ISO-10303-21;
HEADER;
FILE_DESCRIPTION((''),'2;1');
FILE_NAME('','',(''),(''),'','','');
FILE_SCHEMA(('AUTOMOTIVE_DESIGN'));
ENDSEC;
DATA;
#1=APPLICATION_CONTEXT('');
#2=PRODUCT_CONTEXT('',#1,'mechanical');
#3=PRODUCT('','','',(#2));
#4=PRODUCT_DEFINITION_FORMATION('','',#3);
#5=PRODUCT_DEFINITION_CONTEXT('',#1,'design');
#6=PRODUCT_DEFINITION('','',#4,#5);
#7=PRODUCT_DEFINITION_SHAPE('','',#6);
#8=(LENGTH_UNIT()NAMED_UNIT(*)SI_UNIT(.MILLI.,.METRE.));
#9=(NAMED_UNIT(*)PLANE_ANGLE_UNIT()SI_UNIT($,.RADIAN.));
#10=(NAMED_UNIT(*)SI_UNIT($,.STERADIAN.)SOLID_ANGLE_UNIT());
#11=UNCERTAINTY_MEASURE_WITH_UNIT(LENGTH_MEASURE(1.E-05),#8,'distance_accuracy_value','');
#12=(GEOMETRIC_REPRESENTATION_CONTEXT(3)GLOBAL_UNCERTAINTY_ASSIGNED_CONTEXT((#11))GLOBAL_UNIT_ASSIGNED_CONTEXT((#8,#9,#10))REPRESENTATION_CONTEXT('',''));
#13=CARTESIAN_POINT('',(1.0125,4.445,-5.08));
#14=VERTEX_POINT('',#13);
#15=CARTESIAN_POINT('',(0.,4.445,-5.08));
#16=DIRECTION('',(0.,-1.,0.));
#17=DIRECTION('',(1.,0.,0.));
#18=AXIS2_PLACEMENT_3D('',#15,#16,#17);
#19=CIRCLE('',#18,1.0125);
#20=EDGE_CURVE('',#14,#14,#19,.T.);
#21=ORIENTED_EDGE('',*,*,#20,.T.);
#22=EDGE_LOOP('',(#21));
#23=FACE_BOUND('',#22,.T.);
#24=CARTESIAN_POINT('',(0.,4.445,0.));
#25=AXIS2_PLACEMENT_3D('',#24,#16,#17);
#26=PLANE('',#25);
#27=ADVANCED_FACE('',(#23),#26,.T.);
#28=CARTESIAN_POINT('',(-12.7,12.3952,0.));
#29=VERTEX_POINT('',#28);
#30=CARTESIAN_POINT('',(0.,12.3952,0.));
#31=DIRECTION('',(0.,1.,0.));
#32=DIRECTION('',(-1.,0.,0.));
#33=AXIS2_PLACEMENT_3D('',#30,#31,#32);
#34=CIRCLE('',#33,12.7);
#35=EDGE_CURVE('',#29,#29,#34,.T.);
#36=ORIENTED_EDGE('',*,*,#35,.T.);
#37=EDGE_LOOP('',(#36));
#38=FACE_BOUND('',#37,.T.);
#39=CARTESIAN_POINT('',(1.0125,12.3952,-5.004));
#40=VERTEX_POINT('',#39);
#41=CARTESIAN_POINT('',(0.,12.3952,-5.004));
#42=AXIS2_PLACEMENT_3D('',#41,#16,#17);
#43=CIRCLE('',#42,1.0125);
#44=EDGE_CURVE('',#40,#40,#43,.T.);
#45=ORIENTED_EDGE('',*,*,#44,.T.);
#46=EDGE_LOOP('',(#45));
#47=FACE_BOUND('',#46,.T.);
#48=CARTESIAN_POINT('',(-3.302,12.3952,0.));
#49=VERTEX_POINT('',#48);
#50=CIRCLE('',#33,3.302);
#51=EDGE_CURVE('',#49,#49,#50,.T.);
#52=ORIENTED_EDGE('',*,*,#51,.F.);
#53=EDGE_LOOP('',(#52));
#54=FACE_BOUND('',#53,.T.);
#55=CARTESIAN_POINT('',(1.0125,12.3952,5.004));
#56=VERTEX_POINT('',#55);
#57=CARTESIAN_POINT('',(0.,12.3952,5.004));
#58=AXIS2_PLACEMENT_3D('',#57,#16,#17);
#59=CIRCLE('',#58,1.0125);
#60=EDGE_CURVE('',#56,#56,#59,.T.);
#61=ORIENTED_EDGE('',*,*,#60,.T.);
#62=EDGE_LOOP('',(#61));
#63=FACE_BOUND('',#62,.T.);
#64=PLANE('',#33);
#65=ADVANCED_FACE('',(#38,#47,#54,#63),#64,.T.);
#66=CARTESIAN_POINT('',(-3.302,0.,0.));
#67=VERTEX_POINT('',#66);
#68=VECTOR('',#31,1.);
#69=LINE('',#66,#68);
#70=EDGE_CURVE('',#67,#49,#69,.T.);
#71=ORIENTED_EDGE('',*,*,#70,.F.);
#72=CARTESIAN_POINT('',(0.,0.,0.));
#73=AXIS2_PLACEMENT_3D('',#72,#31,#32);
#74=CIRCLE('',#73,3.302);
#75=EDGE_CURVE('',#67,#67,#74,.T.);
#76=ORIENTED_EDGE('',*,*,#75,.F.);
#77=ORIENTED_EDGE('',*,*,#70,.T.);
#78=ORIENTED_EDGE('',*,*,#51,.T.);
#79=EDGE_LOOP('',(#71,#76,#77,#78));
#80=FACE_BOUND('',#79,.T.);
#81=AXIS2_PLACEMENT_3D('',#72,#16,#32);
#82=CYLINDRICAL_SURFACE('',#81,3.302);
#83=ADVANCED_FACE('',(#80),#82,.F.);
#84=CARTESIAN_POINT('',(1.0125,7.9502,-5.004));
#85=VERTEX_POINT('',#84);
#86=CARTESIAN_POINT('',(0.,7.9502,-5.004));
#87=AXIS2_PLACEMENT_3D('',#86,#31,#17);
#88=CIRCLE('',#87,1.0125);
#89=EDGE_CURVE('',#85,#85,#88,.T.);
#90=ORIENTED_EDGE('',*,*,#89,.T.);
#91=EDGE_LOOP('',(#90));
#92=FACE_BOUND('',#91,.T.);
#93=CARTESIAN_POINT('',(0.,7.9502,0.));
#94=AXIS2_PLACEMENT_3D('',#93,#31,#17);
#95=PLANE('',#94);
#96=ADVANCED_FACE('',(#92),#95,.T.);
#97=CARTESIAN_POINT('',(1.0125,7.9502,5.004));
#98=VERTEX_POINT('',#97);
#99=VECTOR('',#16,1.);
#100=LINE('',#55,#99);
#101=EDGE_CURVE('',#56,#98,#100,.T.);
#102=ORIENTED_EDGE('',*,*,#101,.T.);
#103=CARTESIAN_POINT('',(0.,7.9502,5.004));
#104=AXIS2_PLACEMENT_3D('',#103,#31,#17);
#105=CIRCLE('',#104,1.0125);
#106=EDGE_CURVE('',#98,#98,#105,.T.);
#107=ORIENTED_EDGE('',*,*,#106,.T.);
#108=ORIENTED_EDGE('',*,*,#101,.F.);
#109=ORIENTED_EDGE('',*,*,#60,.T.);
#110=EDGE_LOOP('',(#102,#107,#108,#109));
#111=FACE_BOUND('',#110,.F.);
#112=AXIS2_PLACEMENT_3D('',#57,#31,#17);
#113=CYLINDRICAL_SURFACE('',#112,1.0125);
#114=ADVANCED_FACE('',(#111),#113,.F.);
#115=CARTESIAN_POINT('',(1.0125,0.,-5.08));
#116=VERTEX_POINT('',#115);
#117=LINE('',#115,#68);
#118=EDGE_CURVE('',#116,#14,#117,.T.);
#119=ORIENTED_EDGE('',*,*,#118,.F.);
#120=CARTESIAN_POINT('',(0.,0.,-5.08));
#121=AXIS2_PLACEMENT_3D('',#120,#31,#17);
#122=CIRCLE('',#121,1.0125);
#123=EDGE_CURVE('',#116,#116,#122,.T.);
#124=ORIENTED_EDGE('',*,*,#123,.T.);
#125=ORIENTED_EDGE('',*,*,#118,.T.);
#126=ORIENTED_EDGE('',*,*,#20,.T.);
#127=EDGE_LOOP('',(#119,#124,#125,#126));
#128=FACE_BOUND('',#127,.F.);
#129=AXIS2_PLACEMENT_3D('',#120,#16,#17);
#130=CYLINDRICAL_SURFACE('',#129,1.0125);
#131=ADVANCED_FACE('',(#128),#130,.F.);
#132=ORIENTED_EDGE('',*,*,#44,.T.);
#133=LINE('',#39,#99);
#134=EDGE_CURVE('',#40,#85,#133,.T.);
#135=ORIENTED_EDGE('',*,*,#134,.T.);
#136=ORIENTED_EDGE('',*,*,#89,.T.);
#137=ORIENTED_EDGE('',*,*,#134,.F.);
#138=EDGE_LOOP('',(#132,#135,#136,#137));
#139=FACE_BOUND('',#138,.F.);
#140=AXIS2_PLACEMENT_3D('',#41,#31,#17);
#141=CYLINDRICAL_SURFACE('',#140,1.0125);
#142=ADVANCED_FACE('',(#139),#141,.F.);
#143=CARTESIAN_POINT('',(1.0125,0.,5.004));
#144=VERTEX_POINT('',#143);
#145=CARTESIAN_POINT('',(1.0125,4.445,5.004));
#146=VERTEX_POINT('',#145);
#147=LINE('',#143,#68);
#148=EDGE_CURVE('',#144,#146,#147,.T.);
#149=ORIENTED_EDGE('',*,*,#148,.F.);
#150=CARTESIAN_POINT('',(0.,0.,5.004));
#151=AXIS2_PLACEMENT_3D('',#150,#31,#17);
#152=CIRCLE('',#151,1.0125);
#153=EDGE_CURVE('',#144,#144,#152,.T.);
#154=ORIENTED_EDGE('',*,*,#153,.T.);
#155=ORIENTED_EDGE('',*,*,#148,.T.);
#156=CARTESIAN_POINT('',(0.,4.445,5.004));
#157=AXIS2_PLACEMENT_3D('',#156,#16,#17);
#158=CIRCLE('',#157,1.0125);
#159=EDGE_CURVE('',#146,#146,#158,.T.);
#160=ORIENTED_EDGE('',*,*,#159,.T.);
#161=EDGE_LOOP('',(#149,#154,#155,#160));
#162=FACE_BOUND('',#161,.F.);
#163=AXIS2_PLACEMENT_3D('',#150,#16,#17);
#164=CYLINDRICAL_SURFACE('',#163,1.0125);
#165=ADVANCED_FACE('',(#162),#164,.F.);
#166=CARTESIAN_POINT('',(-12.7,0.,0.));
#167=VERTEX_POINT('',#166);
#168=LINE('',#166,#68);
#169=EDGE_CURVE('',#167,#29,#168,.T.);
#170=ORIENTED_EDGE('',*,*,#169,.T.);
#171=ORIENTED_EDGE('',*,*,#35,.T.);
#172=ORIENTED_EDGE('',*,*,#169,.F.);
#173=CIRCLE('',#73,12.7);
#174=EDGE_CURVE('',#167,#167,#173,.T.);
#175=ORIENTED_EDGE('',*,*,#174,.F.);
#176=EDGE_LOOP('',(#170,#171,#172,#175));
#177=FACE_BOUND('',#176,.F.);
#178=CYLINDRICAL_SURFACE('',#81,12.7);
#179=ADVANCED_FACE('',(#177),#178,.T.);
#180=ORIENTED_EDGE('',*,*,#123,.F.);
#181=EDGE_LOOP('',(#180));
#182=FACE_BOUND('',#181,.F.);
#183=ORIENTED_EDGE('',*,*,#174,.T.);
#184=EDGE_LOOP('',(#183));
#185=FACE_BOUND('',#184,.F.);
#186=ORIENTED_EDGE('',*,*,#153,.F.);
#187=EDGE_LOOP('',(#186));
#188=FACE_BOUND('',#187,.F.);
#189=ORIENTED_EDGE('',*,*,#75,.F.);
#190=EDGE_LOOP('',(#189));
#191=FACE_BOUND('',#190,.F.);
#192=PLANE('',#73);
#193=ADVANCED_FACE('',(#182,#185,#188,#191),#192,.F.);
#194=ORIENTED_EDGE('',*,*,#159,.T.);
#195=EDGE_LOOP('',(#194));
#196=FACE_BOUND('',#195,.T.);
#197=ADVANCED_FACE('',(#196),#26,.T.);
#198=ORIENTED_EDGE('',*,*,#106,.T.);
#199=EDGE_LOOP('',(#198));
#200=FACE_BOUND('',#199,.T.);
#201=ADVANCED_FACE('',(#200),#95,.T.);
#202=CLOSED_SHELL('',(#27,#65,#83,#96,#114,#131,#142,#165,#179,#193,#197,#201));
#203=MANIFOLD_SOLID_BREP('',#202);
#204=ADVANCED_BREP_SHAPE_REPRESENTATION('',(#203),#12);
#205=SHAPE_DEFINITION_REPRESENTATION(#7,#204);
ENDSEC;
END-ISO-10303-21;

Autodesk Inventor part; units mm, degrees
ref_plane "YZ Plane" through (0, 0, 0) normal (1, 0, 0) x (0, 1, 0)
ref_plane "XZ Plane" through (0, 0, 0) normal (0, 1, 0) x (-1, 0, 0)
ref_plane "XY Plane" through (0, 0, 0) normal (0, 0, 1) x (1, 0, 0)
sketch "Sketch1" plane through (0, 0, 0) normal (0, 1, 0) x (-1, 0, 0)
  circle A0 centre (0, 0) radius 12.7
  circle A1 centre (0, 0) radius 3.302
  dimension "d0" = 25.4
  dimension "d1" = 6.604
extrude "Extrusion1" add sketch "Sketch1" along normal blind 12.3952
sketch "Sketch2" plane through (0, 12.3952, 0) normal (0, 1, 0) x (1, 0, 0)
  line L0 (0, 0) -> (0, -5.004)
  line L1 (0, -5.004) -> (0, 0)
  line L2 (0, 0) -> (0, 5.004)
  circle A0 centre (0, -5.004) radius 1.0125
  circle A1 centre (0, 5.004) radius 1.0125
  dimension "d4" = 5.004
  dimension "d5" = 5.004
  dimension "d6" = 2.025
  dimension "d7" = 2.025
extrude "Extrusion2" cut sketch "Sketch2" against normal blind 4.445
sketch "Sketch3" plane through (0, 0, 0) normal (0, -1, 0) x (1, 0, 0)
  line L0 (0, 0) -> (0, 5.004)
  line L1 (0, 5.004) -> (0, -5.08)
  circle A0 centre (0, 5.004) radius 1.0125
  line L2 (0, 0) -> (0, -5.004)
  circle A1 centre (0, -5.08) radius 1.0125
  dimension "d10" = 5.004
  dimension "d15" = 2.025
  dimension "d16" = 5.004
  dimension "d17" = 2.025
extrude "Extrusion3" cut sketch "Sketch3" against normal blind 4.445
properties part number "PolarisPost_HeightAdjustment_0p5in_Machined"
